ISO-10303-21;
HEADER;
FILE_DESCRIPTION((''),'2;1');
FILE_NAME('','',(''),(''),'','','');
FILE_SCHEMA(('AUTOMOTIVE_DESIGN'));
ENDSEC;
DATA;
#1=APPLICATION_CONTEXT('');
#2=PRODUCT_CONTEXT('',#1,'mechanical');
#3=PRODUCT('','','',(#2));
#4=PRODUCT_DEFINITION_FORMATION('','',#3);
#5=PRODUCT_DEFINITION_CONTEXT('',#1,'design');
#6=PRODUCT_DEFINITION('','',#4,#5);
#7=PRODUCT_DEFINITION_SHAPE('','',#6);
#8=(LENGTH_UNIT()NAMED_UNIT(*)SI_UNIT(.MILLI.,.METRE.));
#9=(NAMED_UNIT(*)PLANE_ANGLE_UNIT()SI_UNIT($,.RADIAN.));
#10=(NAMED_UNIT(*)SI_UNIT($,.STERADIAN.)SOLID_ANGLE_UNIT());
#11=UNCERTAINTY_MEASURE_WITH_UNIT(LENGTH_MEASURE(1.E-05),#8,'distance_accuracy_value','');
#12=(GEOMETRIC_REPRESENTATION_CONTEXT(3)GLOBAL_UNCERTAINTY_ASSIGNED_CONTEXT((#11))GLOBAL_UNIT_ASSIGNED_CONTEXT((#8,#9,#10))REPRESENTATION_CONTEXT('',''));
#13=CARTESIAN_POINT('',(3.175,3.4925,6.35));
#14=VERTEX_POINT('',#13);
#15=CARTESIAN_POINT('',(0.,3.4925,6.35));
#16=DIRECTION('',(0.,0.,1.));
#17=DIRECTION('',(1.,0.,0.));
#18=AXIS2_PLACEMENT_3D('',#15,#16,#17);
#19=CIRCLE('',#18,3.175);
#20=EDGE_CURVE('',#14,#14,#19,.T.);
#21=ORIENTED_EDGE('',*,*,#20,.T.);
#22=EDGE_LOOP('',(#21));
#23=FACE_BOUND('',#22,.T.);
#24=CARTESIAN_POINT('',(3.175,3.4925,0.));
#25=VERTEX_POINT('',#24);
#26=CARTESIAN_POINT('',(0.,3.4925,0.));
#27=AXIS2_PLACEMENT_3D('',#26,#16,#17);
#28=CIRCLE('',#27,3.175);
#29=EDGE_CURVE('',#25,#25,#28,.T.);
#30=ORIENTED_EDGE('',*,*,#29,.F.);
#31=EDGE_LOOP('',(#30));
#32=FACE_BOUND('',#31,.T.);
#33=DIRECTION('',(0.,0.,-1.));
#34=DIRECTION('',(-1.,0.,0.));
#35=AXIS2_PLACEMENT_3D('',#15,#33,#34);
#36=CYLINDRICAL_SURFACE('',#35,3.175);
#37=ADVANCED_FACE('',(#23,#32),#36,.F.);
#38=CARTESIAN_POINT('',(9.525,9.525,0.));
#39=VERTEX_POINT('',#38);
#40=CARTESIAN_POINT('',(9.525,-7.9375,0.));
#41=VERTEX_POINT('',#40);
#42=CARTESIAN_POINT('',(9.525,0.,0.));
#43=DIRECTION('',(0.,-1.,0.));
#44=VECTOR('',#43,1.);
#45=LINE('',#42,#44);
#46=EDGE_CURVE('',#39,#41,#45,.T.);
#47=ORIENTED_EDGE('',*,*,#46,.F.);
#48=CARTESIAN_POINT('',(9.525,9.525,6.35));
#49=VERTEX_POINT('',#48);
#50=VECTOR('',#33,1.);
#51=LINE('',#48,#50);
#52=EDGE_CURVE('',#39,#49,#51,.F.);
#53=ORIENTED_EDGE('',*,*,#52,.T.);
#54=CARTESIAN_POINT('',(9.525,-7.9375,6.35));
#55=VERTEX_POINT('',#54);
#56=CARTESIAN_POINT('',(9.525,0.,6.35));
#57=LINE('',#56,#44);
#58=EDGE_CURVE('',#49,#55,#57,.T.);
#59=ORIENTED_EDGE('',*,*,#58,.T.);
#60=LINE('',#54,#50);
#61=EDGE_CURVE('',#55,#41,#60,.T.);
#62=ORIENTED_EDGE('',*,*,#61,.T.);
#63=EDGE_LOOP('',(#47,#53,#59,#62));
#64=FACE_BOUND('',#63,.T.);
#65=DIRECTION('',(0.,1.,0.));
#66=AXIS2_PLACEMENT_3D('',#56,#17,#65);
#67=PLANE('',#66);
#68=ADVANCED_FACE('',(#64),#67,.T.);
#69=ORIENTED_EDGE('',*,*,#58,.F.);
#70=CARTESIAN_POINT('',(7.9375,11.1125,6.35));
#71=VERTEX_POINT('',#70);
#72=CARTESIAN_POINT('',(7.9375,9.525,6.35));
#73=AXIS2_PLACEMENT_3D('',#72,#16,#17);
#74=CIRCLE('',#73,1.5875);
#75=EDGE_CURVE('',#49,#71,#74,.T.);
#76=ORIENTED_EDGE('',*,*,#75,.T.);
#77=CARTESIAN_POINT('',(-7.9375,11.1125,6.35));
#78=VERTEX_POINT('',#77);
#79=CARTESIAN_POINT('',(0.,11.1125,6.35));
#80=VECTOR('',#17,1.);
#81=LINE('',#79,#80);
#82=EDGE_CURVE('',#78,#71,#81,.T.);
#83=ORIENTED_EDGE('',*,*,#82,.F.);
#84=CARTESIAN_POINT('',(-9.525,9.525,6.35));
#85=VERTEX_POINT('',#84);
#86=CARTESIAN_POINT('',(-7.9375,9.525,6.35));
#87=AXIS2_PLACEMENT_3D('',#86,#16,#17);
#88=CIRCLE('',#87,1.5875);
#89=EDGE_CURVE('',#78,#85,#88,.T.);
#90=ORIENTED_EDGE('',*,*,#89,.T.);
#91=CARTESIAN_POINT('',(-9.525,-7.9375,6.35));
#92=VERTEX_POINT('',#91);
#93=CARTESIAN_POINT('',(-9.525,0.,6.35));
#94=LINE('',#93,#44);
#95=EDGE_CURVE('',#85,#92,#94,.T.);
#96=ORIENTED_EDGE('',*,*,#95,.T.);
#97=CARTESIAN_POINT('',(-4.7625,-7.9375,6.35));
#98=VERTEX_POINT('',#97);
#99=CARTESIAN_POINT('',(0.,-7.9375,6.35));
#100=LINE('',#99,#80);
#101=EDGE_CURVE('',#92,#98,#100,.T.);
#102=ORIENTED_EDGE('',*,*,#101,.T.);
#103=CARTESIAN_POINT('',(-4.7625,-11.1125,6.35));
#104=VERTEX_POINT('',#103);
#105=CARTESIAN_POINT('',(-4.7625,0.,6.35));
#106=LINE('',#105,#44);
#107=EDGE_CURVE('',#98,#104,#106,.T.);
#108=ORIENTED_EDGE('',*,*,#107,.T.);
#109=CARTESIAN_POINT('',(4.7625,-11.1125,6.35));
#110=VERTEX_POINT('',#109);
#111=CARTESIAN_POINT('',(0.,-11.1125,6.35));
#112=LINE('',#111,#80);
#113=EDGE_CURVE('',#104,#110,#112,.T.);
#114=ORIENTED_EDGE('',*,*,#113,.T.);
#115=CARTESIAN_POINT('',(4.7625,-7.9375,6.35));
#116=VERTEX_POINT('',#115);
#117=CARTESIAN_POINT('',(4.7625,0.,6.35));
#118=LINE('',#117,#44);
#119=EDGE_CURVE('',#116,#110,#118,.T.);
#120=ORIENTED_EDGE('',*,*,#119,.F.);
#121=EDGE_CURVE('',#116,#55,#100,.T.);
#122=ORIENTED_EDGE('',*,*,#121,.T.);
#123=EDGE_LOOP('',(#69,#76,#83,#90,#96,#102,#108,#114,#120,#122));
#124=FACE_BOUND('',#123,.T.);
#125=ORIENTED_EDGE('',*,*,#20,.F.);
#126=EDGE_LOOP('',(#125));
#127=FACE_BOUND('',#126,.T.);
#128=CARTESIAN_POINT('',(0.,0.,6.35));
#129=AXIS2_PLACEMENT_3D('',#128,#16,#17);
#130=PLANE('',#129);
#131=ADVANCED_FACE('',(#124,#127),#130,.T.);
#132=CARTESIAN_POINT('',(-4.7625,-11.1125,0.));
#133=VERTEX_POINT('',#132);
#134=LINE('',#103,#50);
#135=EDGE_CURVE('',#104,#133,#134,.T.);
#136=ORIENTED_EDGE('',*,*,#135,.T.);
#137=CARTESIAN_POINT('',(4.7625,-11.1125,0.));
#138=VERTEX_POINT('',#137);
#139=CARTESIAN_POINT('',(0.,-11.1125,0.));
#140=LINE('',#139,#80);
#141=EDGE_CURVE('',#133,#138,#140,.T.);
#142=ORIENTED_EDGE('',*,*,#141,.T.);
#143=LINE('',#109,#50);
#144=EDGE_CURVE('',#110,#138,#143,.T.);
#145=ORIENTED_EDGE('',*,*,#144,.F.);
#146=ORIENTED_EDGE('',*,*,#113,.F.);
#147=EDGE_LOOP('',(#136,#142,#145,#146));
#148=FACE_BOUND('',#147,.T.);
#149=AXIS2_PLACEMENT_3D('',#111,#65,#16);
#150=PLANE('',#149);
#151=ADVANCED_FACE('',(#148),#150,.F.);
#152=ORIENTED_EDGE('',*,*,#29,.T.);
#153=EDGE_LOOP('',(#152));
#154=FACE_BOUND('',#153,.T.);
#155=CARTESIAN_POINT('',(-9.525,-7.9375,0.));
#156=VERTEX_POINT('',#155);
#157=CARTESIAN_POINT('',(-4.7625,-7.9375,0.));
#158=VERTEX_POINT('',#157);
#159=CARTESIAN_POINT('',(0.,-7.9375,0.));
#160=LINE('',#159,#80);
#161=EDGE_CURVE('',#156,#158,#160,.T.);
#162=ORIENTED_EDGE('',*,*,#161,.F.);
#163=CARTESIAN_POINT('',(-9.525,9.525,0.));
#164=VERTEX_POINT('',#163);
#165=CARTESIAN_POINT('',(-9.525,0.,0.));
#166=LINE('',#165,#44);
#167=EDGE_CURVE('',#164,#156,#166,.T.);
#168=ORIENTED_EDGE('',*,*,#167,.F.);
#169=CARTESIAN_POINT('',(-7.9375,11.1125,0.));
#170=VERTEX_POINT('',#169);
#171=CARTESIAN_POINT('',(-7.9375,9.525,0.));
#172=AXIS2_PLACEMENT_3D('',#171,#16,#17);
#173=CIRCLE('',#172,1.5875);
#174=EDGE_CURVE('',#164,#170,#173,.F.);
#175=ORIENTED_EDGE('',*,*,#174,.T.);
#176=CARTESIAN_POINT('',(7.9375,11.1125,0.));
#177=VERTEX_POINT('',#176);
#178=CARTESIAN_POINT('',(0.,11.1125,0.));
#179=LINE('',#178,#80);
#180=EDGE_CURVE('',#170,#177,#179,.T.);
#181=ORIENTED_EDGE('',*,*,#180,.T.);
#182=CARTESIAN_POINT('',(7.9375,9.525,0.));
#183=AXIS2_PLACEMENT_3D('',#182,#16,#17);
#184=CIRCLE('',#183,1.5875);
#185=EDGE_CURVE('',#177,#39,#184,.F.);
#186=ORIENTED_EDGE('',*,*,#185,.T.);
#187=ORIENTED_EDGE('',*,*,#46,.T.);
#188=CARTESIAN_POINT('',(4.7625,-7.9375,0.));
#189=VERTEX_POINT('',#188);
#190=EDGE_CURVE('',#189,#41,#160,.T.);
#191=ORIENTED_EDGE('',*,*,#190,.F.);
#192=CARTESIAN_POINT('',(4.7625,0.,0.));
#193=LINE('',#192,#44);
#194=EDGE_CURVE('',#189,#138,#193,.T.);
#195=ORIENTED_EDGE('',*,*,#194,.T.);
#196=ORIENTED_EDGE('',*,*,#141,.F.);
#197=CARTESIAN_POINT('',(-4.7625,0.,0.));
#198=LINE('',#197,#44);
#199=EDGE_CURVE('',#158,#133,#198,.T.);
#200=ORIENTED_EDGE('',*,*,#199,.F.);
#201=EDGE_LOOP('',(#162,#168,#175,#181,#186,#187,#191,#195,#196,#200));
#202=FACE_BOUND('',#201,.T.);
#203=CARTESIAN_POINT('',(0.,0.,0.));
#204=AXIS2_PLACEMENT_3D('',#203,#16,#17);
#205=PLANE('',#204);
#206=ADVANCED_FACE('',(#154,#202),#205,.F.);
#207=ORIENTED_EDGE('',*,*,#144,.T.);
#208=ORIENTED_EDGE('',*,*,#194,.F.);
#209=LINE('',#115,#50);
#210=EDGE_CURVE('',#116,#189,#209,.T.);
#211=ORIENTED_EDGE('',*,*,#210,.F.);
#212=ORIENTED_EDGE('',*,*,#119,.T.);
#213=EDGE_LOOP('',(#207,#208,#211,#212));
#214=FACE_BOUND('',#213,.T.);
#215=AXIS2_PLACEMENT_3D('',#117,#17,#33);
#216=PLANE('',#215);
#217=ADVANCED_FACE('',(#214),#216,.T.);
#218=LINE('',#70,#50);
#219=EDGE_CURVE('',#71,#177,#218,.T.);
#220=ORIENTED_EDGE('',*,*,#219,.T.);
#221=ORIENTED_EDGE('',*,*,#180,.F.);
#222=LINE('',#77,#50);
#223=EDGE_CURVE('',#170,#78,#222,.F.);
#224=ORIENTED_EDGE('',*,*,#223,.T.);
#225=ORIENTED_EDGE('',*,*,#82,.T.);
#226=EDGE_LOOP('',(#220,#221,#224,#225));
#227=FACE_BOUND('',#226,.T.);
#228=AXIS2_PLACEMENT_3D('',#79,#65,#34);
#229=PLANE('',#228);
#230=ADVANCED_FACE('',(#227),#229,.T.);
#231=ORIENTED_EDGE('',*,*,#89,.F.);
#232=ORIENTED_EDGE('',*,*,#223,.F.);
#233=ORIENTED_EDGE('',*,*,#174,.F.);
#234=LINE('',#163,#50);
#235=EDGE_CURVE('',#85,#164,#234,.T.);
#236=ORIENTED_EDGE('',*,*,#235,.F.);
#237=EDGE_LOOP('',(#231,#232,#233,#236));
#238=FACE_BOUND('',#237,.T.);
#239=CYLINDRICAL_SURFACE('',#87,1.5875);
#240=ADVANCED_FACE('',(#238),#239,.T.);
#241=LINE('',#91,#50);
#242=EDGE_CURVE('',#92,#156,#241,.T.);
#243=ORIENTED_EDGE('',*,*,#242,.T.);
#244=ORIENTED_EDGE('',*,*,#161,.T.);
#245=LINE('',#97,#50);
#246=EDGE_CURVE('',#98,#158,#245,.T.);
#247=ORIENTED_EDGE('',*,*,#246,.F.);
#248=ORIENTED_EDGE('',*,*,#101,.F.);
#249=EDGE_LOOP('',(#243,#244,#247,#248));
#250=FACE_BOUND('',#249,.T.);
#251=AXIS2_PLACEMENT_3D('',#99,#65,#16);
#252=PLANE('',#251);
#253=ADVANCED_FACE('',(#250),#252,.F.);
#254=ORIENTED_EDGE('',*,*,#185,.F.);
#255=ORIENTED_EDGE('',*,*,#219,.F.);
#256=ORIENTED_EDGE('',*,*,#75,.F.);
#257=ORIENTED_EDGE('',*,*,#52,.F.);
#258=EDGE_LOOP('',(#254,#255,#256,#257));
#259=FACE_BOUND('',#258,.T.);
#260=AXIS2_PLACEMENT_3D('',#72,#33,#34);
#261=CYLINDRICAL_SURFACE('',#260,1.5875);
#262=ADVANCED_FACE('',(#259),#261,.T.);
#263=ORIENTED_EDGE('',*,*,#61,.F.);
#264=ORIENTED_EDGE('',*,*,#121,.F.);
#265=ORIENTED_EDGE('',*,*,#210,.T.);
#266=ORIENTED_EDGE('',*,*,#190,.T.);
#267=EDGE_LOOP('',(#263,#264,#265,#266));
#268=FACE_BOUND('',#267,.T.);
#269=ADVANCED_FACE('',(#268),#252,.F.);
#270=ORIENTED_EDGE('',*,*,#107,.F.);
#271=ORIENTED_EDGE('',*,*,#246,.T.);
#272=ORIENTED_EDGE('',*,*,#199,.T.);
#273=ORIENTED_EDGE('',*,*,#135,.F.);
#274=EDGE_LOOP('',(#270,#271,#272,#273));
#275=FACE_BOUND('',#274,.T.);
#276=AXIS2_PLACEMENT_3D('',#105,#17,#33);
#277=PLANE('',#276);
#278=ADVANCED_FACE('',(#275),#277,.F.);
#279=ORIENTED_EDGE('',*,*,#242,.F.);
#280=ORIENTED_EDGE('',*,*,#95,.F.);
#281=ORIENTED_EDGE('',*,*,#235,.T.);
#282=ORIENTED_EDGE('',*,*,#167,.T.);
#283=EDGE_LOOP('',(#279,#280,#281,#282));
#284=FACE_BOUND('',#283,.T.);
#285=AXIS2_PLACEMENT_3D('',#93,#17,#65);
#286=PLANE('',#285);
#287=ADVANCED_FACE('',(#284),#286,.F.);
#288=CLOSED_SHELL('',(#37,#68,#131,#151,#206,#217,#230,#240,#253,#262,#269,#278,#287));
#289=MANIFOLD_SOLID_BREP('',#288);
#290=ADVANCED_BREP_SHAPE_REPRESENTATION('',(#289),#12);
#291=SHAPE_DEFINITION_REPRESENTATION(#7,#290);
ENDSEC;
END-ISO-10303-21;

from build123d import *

# Parameters (mm, degrees)
SKETCH1_R           = 3.175
SKETCH1_W           = 9.525
SKETCH1_H           = 3.175
BOSS_EXTRUDE1_DEPTH = 6.35
FILLET1_R           = 1.5875


with BuildPart() as part:
    # Sketch1 → Boss-Extrude1 (new body)
    # profile 1 of 2: a face of its own
    with BuildSketch(Plane.XY):
        Polygon((9.525, 11.1125), (-9.525, 11.1125), (-9.525, -7.9375), (-4.7625, -7.9375), (4.7625, -7.9375), (9.525, -7.9375), align=None)
        with Locations((0, 3.4925)):
            Circle(SKETCH1_R, mode=Mode.SUBTRACT)
    # profile 2 of 2: a face of its own
    with BuildSketch(Plane.XY):
        with Locations((0, -9.525)):
            Rectangle(SKETCH1_W, SKETCH1_H)
    extrude(amount=BOSS_EXTRUDE1_DEPTH)

    # Fillet1
    fillet1_edges = [part.edges().sort_by_distance(p)[0] for p in [
        (-9.525, 11.1125, 3.175),
        (9.525, 11.1125, 3.175),
    ]]
    fillet(fillet1_edges, radius=FILLET1_R)


solid = part.part
